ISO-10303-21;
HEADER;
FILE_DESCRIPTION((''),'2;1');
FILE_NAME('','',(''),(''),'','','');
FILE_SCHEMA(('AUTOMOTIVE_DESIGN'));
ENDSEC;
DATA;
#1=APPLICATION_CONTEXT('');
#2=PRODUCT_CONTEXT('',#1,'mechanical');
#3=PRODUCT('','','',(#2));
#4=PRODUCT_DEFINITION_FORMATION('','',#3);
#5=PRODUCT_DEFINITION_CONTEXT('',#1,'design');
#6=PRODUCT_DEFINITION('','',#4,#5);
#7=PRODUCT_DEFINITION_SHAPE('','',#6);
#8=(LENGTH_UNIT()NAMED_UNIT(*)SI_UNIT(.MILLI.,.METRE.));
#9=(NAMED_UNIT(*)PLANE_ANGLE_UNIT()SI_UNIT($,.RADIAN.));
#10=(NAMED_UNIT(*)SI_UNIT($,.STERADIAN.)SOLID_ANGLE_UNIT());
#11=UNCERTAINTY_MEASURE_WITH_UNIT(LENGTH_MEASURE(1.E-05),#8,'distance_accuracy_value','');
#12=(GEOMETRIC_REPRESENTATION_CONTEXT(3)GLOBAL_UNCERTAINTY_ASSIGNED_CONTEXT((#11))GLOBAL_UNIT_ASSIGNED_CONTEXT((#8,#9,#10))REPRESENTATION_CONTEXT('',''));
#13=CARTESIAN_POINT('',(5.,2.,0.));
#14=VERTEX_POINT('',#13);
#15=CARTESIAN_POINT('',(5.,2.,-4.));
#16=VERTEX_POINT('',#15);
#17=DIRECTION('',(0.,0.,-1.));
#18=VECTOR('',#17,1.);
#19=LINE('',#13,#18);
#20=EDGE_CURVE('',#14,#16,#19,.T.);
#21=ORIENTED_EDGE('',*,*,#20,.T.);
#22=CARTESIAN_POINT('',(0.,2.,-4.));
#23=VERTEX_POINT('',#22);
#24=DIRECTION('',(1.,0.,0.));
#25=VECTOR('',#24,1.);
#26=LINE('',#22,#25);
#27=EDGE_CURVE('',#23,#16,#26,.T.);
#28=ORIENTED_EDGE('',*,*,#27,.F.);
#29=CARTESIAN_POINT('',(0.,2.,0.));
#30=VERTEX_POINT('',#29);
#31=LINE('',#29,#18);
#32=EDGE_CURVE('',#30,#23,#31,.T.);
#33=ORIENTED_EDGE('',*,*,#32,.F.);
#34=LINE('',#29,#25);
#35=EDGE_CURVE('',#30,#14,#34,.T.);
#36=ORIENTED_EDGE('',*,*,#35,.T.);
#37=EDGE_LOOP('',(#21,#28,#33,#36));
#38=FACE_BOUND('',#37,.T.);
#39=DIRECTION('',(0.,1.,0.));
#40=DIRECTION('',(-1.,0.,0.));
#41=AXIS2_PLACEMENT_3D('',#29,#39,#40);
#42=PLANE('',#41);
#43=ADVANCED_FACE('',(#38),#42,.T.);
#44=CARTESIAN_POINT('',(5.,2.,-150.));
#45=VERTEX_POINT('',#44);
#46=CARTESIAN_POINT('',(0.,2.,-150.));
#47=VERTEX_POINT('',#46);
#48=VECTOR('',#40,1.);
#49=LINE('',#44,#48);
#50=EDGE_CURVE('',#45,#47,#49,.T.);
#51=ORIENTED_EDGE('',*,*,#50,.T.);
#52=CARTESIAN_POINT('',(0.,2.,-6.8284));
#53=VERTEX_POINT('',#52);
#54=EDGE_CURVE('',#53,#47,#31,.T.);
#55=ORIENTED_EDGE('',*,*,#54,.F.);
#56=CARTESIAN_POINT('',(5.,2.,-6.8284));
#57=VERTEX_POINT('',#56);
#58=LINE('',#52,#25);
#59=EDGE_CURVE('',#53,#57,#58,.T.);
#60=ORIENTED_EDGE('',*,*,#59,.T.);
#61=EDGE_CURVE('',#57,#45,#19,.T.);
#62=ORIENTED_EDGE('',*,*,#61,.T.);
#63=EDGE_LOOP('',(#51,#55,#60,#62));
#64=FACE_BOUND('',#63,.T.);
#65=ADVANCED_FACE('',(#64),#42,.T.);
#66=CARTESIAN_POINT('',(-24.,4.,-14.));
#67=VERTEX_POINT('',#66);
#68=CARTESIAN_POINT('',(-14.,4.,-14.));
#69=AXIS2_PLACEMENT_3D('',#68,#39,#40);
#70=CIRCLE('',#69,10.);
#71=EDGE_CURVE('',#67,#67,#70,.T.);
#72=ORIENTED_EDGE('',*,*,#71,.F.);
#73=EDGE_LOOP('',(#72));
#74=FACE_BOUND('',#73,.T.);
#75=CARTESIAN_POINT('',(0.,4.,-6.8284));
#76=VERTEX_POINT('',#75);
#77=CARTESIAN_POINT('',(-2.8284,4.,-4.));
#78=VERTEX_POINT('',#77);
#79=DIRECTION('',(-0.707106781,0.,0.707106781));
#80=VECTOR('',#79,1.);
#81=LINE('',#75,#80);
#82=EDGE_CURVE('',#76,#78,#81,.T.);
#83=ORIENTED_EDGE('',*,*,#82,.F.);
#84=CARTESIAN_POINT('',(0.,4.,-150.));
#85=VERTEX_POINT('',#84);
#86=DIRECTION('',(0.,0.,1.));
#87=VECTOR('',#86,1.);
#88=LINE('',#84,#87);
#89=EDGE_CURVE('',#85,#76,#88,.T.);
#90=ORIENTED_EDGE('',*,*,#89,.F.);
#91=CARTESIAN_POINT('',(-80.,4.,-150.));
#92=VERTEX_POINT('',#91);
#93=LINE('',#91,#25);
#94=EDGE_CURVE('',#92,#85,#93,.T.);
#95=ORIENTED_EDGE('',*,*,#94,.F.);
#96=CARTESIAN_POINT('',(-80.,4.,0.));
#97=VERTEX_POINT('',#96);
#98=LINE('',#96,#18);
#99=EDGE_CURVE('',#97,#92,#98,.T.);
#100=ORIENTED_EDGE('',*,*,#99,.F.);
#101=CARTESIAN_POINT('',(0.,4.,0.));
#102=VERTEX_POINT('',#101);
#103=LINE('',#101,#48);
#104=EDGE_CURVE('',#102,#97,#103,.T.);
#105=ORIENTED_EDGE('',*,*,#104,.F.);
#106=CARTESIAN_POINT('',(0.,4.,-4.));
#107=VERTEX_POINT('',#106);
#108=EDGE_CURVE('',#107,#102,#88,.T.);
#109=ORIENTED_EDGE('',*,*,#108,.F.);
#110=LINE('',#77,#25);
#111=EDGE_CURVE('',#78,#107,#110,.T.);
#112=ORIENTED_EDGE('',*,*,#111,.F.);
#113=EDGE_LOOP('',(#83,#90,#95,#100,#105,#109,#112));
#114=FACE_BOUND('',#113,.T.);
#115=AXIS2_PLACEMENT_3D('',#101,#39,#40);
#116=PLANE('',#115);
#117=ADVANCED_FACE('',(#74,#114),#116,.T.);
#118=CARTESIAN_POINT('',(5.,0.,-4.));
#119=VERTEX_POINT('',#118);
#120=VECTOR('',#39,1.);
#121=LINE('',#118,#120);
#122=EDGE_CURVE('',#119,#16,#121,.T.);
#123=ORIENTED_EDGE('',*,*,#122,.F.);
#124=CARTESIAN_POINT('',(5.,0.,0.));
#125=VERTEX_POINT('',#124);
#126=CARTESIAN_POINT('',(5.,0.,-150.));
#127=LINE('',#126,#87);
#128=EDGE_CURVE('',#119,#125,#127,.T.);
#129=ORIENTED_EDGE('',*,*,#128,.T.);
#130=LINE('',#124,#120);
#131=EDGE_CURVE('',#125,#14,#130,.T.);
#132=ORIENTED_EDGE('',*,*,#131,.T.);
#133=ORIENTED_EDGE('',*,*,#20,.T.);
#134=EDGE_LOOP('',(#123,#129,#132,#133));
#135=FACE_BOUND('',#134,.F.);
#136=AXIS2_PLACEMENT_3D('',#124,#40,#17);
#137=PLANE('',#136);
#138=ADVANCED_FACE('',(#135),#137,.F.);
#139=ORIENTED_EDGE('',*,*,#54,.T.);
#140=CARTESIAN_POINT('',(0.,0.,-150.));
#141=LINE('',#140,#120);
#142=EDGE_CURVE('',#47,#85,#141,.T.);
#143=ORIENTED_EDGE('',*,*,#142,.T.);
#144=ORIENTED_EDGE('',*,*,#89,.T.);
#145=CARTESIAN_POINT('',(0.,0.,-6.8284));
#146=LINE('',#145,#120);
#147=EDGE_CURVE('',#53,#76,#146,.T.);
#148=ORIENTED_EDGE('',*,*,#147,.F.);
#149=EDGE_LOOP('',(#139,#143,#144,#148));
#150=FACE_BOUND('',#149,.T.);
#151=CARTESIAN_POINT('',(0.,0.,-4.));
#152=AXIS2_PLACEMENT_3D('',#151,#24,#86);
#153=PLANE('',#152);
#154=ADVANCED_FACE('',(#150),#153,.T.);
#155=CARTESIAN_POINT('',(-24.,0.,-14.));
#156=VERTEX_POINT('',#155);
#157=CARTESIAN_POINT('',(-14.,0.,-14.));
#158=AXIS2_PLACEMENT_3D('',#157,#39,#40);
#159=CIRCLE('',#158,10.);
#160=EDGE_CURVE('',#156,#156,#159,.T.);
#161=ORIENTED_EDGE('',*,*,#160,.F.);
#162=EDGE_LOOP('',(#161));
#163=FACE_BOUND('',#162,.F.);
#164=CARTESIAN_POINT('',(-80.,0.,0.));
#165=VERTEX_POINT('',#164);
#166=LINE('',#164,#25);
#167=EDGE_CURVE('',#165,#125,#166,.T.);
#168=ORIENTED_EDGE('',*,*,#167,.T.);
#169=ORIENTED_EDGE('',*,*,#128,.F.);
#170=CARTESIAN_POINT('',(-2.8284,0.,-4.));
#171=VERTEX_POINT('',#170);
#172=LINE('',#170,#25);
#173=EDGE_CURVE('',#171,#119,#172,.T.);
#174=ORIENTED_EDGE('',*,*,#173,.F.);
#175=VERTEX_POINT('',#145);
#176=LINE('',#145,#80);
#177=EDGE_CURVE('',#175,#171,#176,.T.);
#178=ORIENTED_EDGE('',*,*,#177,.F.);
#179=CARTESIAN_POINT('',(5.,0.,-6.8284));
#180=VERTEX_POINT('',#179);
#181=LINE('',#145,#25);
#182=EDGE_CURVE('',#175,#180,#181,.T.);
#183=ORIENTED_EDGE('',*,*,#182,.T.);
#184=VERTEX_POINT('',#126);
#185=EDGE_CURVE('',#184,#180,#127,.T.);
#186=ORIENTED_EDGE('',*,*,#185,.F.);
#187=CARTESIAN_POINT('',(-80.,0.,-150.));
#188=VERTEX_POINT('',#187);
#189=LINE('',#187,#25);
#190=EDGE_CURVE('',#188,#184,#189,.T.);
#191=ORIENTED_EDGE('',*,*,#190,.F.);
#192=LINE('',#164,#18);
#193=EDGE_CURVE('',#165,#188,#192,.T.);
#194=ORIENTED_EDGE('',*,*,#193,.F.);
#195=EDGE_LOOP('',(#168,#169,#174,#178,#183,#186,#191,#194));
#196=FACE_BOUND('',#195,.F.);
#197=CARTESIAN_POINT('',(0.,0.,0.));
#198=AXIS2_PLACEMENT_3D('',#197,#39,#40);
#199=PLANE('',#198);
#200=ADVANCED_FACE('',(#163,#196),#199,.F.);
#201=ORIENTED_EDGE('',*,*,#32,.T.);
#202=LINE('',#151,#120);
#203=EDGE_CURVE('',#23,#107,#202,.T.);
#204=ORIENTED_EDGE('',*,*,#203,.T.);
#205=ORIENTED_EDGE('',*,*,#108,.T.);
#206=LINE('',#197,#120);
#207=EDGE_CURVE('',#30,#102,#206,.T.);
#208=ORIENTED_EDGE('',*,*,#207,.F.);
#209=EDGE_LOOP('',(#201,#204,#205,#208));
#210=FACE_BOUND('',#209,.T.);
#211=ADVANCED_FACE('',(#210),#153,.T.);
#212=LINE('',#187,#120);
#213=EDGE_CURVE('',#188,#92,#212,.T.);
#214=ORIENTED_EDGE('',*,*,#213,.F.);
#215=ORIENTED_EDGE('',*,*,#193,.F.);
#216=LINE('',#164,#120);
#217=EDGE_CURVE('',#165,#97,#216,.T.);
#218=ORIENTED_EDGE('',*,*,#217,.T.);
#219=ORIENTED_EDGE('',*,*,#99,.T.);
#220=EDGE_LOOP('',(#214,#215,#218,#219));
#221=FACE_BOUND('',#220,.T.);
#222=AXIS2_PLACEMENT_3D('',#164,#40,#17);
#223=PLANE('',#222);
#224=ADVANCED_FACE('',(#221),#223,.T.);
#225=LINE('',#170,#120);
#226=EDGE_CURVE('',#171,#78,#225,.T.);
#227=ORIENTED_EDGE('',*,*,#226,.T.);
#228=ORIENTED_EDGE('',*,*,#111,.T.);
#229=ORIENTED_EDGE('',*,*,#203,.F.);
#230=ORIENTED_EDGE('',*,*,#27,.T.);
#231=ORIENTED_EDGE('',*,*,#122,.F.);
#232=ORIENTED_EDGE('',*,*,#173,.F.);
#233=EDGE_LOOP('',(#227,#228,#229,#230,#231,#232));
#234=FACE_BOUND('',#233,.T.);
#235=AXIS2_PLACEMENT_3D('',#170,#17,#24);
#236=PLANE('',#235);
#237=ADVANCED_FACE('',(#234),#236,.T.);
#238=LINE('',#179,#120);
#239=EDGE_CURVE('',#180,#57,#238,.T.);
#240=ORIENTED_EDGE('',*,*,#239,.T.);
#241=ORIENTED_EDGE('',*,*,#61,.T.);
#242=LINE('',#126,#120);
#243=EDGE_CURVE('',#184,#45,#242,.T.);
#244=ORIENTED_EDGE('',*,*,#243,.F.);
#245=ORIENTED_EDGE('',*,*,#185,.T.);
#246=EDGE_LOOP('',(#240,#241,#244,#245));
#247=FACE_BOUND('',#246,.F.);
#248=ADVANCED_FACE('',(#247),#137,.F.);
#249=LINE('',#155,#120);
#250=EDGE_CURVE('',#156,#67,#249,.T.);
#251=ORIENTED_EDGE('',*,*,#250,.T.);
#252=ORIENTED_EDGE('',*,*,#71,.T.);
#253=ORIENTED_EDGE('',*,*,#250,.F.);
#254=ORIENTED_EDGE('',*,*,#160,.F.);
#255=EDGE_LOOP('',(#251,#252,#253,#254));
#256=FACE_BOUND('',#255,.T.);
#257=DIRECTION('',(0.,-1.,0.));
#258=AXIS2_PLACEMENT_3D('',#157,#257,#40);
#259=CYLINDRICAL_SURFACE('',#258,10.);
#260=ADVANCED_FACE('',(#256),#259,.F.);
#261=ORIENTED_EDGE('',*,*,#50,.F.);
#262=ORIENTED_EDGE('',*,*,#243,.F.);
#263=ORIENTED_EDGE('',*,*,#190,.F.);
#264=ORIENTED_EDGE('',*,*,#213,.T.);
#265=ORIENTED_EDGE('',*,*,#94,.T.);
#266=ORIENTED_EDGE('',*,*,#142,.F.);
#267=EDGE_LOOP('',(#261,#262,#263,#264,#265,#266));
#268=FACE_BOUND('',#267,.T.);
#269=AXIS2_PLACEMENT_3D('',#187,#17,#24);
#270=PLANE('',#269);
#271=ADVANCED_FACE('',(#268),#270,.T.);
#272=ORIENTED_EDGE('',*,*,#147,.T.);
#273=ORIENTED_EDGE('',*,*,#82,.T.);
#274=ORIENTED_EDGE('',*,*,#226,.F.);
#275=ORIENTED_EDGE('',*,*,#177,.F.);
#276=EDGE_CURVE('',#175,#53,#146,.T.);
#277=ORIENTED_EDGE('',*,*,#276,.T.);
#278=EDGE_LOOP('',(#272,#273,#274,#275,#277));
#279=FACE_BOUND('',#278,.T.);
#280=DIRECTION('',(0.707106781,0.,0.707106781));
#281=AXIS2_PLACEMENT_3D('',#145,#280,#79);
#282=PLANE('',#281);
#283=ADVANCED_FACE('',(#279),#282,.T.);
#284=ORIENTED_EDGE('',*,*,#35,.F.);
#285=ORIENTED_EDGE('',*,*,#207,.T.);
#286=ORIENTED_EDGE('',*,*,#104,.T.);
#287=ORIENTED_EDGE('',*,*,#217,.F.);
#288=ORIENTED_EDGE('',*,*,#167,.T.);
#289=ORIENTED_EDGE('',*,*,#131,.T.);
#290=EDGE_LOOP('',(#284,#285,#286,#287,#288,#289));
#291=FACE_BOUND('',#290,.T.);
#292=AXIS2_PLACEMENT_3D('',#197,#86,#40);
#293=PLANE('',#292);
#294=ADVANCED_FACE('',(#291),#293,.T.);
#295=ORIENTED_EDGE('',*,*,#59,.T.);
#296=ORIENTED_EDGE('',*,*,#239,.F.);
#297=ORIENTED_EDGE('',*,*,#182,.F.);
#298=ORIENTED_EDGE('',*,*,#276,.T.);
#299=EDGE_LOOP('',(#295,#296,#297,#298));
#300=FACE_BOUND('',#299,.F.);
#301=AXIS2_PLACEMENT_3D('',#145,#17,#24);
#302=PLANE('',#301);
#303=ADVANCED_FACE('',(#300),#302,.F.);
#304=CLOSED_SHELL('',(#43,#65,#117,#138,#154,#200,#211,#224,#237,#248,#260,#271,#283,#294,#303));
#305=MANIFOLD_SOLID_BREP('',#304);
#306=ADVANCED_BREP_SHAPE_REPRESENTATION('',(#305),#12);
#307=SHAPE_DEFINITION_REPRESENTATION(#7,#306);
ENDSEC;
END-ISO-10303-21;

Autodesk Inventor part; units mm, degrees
ref_plane "YZ Plane" through (0, 0, 0) normal (1, 0, 0) x (0, 1, 0)
ref_plane "XZ Plane" through (0, 0, 0) normal (0, 1, 0) x (-1, 0, 0)
ref_plane "XY Plane" through (0, 0, 0) normal (0, 0, 1) x (1, 0, 0)
sketch "Sketch1" plane through (0, 0, 0) normal (0, 1, 0) x (-1, 0, 0)
  line L0 (0, 0) -> (80, 0)
  line L1 (80, 0) -> (80, -150)
  line L2 (80, -150) -> (0, -150)
  line L3 (0, -150) -> (0, 0)
  line L4 (0, 0) -> (-5, 0)
  line L5 (-5, 0) -> (-5, -150)
  line L6 (-5, -150) -> (0, -150)
  line L7 (0, -150) -> (0, 0)
  line L8 (0, -6.8284) -> (2.8284, -4)
  circle A0 centre (14, -14) radius 10
  line L9 (2.8284, -4) -> (0, -4)
  line L10 (0, -6.8284) -> (-5, -6.8284)
  line L11 (0, -4) -> (-5, -4)
  dimension "d0" = 150
  dimension "d1" = 80
  dimension "d2" = 5
  dimension "d3" = 4
  dimension "d4" = 45
  dimension "d5" = 20
  dimension "d6" = 4
  dimension "d7" = 14
  dimension "d8" = 14
extrude "Extrusion1" add sketch "Sketch1" along normal blind 4 contours L0 L1 L2 L3 L8 L9 | L9 L8 L3
extrude "Extrusion2" cut sketch "Sketch1" along normal blind 4 contours L9 L8 L3
extrude "Extrusion3" add sketch "Sketch1" along normal blind 2 contours L3 L11 L5 L4 | L3 L10 L5 L11 | L3 L6 L5 L10
extrude "Extrusion4" cut sketch "Sketch1" along normal blind 2 contours L3 L10 L5 L11
properties part number "backWall"
